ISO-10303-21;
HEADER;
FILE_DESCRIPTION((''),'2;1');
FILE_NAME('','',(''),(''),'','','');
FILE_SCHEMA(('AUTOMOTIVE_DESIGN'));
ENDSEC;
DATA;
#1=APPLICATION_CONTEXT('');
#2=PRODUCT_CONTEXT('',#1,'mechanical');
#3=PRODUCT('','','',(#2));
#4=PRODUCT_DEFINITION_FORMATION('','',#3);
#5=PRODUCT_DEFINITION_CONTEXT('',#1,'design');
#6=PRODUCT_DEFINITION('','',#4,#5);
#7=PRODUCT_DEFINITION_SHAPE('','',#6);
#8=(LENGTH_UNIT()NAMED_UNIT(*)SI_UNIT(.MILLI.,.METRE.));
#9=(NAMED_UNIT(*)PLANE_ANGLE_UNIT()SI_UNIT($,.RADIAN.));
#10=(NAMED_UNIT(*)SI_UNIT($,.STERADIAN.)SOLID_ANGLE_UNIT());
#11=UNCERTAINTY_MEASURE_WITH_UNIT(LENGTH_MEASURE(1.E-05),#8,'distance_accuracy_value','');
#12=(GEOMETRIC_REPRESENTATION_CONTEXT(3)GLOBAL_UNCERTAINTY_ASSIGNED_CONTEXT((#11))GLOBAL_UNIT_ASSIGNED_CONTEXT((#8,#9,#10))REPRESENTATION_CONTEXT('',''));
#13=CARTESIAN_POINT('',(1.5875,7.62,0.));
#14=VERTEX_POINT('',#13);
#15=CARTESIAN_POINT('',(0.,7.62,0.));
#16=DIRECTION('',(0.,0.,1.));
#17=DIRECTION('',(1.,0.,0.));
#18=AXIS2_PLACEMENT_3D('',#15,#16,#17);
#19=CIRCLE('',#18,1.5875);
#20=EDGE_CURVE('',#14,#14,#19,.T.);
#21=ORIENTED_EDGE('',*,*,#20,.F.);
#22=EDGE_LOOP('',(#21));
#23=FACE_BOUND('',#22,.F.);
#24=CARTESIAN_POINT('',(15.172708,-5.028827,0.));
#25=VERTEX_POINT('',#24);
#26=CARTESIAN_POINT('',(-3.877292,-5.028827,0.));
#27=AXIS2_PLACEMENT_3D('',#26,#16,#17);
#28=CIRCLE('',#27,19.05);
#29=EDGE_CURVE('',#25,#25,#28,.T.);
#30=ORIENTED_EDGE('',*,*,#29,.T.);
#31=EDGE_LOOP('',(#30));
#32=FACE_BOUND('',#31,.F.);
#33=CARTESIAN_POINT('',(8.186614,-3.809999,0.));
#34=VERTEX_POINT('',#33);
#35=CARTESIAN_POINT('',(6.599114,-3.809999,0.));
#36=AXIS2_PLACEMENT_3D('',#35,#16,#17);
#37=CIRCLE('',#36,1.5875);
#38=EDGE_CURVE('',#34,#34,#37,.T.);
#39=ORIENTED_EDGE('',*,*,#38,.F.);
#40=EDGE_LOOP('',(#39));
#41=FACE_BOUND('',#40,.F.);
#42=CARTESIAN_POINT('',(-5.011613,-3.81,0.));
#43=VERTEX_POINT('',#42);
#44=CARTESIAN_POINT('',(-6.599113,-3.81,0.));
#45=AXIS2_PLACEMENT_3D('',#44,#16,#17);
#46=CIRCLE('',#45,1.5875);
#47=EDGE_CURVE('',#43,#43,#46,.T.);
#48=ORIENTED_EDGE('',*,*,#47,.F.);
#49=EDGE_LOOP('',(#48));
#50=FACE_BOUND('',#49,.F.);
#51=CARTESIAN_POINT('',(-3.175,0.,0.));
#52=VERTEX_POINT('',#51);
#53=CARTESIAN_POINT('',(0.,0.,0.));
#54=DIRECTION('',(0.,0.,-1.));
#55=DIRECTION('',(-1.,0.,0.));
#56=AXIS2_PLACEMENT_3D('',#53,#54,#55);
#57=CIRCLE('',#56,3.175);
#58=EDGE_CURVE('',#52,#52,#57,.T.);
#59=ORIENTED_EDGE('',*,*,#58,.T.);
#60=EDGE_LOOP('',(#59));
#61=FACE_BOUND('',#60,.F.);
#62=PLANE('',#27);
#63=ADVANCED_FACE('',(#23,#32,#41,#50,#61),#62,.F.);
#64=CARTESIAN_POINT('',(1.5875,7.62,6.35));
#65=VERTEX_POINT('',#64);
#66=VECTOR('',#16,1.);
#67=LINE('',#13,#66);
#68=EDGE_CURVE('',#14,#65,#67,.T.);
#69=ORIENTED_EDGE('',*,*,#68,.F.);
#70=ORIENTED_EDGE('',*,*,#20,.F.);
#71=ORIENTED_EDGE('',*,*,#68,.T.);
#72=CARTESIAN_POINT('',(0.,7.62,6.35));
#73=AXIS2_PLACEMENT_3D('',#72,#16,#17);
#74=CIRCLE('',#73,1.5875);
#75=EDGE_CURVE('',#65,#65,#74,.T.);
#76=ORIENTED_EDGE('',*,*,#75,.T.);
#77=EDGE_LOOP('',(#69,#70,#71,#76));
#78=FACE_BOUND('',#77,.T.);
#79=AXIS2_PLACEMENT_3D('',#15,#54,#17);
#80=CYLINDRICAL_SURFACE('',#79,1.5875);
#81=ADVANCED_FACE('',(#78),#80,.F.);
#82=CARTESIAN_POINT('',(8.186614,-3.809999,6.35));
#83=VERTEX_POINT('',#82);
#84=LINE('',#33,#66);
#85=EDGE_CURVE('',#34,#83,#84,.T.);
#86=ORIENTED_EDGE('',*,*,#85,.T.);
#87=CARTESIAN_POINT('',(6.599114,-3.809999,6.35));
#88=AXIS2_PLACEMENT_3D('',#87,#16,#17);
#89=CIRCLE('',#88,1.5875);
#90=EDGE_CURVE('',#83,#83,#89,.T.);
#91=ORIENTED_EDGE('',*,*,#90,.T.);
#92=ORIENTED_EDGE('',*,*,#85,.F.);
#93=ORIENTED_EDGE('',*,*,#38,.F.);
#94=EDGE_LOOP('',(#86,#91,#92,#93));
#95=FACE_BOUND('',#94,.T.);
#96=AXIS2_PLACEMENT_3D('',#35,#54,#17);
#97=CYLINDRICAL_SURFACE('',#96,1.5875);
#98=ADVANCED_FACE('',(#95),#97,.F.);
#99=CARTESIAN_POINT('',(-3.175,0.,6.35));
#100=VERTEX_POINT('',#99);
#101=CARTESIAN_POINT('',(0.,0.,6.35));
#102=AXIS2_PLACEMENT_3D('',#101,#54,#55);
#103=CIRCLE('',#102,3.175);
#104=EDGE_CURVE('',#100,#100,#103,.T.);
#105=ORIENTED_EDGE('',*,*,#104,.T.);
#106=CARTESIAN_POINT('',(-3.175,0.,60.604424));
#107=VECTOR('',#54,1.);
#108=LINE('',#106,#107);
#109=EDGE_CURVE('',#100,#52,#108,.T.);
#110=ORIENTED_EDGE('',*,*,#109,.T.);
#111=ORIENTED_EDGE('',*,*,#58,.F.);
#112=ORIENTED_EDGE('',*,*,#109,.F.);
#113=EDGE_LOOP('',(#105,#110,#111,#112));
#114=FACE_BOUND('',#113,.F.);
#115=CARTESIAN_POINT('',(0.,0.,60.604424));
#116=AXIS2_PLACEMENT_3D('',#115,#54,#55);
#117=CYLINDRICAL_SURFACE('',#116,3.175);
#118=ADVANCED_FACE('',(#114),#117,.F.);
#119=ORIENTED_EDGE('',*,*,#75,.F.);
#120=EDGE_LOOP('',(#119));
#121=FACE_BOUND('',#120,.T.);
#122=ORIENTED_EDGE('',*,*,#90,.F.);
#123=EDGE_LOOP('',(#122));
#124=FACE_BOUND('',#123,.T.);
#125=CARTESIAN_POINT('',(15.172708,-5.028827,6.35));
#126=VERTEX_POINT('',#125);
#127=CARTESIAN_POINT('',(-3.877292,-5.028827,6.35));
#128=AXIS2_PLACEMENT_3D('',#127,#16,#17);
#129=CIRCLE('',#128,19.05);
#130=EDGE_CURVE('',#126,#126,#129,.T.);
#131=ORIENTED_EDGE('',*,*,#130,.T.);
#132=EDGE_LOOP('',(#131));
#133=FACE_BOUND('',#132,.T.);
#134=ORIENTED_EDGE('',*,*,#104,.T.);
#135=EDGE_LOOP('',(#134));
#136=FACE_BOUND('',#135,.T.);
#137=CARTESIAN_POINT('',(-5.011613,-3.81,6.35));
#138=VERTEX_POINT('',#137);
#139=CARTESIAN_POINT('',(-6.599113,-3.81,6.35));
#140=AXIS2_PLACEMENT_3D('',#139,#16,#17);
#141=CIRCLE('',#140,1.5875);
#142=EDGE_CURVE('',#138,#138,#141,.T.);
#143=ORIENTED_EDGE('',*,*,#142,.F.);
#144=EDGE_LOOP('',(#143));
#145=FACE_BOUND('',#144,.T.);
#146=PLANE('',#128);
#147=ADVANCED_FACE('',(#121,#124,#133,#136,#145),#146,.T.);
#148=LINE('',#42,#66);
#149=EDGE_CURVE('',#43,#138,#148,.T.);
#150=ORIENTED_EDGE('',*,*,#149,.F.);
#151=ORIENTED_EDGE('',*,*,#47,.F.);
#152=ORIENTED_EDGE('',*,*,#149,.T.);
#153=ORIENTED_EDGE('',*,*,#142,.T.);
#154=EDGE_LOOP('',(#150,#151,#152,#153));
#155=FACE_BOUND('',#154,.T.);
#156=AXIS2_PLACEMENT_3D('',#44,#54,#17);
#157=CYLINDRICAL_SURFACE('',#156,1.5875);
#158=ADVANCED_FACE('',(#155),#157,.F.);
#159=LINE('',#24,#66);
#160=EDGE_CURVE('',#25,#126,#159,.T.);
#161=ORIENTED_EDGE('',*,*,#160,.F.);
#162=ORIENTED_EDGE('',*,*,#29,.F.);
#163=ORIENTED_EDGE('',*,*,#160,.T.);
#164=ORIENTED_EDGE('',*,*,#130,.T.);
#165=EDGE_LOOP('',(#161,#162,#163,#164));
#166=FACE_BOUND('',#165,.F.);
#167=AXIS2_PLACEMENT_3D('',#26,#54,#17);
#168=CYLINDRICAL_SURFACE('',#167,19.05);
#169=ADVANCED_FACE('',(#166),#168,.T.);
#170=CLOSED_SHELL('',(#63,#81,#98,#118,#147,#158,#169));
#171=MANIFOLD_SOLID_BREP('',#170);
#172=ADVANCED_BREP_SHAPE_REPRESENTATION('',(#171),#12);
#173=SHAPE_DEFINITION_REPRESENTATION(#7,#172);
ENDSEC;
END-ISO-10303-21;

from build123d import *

# Parameters (mm, degrees)
F0_R     = 19.05
F0_R_2   = 1.5875
F1_DEPTH = 6.35
F3_D     = 6.35


with BuildPart() as f1:
    # F0 (on Top) → F1 (new body)
    with BuildSketch(Plane.XY):
        with Locations((-3.877292, -5.028827)):
            Circle(F0_R)
        with Locations((-6.599113, -3.81)):
            Circle(F0_R_2, mode=Mode.SUBTRACT)
        with Locations((6.599114, -3.809999)):
            Circle(F0_R_2, mode=Mode.SUBTRACT)
        with Locations((0, 7.62)):
            Circle(F0_R_2, mode=Mode.SUBTRACT)
    extrude(amount=F1_DEPTH)

    # F3 (through all)
    with Locations(Plane.XY.offset(6.35)):
        with Locations((0, 0)):
            Hole(F3_D / 2)


solid = f1.part
